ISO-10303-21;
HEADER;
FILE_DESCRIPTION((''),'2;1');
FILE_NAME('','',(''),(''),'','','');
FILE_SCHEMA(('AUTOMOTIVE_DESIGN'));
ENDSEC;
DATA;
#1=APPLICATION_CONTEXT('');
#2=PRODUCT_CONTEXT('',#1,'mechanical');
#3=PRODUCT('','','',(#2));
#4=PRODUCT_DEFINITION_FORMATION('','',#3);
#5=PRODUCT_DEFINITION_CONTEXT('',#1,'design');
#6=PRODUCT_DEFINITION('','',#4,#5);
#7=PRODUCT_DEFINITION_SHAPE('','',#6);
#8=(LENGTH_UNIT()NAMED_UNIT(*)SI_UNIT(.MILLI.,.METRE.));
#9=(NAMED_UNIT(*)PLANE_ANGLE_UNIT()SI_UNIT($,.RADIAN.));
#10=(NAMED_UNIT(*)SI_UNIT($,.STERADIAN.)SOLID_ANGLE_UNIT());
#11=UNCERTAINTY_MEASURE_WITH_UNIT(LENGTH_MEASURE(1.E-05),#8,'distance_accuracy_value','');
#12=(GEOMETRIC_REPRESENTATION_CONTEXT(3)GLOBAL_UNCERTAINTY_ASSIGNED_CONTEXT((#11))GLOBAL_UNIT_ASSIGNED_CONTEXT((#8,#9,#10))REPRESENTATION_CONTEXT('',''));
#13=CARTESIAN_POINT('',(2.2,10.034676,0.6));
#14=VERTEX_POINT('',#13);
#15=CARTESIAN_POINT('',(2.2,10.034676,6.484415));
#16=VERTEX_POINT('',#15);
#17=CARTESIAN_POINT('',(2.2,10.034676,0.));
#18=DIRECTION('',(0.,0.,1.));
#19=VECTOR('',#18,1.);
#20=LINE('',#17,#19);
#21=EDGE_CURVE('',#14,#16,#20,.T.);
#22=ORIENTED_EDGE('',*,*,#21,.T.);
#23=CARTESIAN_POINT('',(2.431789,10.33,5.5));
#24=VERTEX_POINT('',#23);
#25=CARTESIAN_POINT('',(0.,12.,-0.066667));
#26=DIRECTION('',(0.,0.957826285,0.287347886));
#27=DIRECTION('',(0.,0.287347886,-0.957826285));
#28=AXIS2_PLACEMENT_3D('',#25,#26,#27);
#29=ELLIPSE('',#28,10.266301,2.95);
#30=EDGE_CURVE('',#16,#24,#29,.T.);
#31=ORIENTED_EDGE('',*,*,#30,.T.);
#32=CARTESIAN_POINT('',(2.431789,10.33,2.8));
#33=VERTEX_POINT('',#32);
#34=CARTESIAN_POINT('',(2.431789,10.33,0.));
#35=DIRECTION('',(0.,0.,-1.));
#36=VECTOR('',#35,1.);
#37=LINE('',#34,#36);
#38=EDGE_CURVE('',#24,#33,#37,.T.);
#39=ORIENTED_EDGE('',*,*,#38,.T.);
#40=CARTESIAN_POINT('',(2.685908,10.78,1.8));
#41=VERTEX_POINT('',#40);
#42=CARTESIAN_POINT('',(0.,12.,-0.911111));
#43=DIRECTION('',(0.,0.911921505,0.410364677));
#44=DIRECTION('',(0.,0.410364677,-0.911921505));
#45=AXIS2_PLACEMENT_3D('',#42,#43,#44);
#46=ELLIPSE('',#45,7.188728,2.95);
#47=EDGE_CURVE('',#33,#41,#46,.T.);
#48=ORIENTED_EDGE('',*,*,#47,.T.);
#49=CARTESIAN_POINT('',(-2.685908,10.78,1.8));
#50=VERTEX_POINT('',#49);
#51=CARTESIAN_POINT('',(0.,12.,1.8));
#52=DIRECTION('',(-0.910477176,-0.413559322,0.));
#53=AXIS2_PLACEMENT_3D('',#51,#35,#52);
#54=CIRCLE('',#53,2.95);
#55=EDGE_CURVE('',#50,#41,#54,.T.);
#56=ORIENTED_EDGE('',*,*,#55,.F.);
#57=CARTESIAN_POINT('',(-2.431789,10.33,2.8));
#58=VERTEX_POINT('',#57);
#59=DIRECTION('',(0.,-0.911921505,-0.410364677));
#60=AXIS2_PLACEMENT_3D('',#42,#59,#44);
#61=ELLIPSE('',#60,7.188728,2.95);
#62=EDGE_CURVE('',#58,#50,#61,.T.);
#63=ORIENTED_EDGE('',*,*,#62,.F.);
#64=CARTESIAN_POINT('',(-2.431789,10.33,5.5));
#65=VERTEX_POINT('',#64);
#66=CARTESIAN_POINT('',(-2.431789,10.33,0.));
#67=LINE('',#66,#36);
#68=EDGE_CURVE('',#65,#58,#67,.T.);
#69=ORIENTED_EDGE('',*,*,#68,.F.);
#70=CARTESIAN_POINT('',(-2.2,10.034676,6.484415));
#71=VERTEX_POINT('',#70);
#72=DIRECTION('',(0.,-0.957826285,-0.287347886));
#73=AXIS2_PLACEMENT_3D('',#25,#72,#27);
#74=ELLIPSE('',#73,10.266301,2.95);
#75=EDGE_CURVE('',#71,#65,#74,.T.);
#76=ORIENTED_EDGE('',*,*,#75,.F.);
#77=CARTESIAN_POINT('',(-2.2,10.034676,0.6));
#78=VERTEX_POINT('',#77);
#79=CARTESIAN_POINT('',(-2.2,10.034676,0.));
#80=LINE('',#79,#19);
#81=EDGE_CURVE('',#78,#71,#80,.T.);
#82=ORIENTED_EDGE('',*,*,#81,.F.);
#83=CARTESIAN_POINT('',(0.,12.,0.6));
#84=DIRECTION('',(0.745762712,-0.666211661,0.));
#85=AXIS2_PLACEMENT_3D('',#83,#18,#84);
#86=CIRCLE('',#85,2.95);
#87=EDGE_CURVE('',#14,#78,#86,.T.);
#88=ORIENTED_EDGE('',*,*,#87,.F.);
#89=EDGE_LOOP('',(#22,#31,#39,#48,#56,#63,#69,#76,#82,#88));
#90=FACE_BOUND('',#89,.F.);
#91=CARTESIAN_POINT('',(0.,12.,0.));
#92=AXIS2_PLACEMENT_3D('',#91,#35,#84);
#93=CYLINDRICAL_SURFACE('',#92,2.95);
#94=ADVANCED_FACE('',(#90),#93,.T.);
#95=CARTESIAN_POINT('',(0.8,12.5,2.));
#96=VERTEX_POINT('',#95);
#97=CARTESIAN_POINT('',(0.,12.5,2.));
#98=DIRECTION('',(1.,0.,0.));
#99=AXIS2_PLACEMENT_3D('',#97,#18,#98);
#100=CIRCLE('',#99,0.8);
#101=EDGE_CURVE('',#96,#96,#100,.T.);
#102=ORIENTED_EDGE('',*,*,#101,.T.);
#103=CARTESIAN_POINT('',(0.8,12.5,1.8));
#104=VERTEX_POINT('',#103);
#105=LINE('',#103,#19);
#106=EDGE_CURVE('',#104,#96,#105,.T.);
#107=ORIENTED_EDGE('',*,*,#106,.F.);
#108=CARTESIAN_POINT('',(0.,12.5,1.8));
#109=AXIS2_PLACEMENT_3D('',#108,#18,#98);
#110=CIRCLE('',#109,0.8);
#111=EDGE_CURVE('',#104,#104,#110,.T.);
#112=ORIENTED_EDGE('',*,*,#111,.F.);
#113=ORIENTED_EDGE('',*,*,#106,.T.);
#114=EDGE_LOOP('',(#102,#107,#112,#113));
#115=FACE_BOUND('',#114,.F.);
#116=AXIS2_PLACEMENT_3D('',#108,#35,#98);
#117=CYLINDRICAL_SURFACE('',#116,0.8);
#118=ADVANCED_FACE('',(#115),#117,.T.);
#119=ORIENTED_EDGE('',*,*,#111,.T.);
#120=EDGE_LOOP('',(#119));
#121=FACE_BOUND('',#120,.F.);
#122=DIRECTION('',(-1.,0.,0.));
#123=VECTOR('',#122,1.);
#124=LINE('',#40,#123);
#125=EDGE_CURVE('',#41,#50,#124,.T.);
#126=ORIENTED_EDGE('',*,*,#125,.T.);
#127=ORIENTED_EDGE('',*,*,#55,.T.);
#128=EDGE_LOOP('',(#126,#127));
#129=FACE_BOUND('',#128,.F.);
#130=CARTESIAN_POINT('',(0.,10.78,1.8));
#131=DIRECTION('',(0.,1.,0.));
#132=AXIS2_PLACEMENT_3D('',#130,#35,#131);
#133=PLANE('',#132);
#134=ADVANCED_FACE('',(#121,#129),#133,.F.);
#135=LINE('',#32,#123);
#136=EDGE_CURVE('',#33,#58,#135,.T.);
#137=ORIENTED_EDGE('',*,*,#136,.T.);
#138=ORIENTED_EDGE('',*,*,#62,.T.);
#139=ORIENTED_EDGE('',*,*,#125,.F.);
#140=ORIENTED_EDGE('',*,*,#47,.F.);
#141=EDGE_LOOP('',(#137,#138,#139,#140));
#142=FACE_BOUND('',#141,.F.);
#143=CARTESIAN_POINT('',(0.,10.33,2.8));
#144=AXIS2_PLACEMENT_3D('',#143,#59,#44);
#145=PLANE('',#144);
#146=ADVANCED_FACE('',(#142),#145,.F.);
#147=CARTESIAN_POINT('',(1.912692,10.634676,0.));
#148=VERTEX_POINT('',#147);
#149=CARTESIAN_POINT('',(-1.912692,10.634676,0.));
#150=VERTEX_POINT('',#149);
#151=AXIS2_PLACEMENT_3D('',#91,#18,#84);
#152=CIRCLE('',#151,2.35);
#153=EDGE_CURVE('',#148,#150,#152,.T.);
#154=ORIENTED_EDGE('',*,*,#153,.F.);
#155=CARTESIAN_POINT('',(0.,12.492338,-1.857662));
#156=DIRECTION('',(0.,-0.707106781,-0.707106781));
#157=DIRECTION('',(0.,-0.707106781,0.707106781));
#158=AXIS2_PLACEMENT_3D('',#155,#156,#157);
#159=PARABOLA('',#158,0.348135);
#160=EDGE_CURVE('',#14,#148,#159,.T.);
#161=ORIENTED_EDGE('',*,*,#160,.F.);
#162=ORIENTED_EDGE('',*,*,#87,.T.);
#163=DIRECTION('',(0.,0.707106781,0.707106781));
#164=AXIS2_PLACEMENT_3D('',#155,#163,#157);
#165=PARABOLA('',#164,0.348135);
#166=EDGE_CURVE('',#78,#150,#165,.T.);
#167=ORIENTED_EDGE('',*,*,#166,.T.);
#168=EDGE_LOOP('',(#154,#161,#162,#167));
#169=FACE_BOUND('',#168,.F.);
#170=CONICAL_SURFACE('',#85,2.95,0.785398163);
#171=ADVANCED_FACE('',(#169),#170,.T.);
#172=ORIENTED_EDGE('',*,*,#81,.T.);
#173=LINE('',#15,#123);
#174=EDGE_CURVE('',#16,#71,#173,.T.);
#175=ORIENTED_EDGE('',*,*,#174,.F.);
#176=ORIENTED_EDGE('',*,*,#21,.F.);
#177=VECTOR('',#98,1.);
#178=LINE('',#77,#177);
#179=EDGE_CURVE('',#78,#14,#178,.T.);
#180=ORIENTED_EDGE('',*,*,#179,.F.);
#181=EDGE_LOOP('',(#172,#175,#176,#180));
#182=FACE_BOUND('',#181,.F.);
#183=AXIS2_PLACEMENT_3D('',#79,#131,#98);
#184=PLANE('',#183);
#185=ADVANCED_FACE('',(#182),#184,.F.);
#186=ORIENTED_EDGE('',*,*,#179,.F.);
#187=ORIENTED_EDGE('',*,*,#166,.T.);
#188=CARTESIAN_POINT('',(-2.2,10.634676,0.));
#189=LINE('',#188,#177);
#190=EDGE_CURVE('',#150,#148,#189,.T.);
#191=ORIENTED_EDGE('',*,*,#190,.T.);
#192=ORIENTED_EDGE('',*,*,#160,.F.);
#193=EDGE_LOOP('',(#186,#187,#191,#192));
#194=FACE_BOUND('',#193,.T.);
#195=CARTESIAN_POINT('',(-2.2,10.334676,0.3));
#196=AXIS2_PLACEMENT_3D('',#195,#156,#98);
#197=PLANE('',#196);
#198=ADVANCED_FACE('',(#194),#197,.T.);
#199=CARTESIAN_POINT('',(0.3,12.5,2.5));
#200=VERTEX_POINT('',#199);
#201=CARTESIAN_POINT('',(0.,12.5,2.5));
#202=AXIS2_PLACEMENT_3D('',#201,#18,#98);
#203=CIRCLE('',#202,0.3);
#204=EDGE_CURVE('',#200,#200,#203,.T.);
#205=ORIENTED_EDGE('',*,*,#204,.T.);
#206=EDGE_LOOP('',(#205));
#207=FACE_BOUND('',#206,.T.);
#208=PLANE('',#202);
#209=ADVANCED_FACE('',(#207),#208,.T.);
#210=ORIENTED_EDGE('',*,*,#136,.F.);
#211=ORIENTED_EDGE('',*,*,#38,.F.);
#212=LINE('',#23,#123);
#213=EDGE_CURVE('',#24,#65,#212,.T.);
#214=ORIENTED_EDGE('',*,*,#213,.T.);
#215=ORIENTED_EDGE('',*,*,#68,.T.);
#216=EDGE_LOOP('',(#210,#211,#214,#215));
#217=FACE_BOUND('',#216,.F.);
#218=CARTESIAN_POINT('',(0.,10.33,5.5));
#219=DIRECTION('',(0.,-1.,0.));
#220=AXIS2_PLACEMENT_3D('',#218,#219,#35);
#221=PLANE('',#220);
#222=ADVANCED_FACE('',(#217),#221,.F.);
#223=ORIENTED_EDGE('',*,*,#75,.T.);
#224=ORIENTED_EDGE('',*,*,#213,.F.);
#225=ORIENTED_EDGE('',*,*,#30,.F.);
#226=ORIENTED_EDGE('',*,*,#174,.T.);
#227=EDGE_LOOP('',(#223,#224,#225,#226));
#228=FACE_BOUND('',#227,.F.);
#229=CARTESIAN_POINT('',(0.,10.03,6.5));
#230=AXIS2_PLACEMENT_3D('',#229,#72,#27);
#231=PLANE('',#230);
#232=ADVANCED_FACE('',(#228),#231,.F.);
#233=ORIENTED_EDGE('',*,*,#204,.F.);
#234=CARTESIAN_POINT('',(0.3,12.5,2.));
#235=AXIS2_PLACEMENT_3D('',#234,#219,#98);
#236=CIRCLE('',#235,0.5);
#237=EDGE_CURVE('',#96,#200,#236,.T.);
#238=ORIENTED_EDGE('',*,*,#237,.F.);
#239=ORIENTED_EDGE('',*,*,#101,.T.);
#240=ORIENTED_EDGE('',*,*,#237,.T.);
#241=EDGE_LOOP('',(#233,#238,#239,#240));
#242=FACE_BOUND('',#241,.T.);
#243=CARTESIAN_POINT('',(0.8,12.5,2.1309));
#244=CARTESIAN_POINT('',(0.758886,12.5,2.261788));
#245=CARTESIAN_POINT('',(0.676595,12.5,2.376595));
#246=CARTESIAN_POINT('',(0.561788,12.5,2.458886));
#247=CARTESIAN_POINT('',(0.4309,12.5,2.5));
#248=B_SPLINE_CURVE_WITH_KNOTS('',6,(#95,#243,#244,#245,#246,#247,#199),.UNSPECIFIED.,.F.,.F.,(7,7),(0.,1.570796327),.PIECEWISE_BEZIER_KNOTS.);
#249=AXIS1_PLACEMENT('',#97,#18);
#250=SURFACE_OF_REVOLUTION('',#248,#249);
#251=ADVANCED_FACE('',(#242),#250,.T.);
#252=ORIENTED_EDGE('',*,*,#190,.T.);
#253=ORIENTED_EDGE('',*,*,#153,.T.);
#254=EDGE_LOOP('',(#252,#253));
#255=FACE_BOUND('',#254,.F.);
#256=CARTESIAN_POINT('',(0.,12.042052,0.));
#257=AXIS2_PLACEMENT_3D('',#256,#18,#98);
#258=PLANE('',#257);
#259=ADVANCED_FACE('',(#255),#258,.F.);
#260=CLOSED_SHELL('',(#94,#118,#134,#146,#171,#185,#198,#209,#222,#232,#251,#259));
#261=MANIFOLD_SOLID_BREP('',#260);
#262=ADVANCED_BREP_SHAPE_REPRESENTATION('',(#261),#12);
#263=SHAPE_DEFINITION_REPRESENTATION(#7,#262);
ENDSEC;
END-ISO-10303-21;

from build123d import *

# Parameters (mm, degrees)
PAD003_DEPTH         = 6.5
POCKET004_DEPTH      = 2.951
POCKET004_DEPTH_BACK = 2.951
SKETCH013_R          = 0.8
PAD006_DEPTH         = 0.7
FILLET_R             = 0.5
CHAMFER004_SIZE      = 0.6


with BuildPart() as part:
    # Sketch004 → Pad003 (new body)
    with BuildSketch(Plane.XY):
        with BuildLine():
            ThreePointArc((2.2, -1.9653244007), (0, 2.95), (-2.2, -1.9653244007))
            Line((-2.2, -1.9653244007), (2.2, -1.9653244007))
        make_face()
    extrude(amount=PAD003_DEPTH)

    # Sketch014 → Pocket004 (cut, two sides)
    with BuildSketch(Plane.YZ) as pocket004_sk:
        Polygon((-1.97, 6.5), (-1.67, 5.5), (-1.67, 2.8), (-1.22, 1.8), (4, 1.8), (4, 6.5), align=None)
    extrude(amount=-POCKET004_DEPTH, mode=Mode.SUBTRACT)
    extrude(pocket004_sk.sketch, amount=POCKET004_DEPTH_BACK, mode=Mode.SUBTRACT)

    # Sketch013 (on Face7 of Pocket004) → Pad006 (join)
    with BuildSketch(Plane.XY.offset(1.8)):
        with Locations((0, 0.5)):
            Circle(SKETCH013_R)
    extrude(amount=PAD006_DEPTH)

    # Fillet
    fillet_edges = [part.edges().sort_by_distance(p)[0] for p in [
        (-0.8, 0.5, 2.5),
    ]]
    fillet(fillet_edges, radius=FILLET_R)

    # Chamfer004
    chamfer004_edges = [part.edges().sort_by_distance(p)[0] for p in [
        (0, 2.95, 0),
        (0, -1.965324, 0),
    ]]
    chamfer(chamfer004_edges, length=CHAMFER004_SIZE)


with BuildPart() as part_1:
    # Body021 placement: moved
    add(part.part.moved(Location((0, 12, 0))))


solid = part_1.part
